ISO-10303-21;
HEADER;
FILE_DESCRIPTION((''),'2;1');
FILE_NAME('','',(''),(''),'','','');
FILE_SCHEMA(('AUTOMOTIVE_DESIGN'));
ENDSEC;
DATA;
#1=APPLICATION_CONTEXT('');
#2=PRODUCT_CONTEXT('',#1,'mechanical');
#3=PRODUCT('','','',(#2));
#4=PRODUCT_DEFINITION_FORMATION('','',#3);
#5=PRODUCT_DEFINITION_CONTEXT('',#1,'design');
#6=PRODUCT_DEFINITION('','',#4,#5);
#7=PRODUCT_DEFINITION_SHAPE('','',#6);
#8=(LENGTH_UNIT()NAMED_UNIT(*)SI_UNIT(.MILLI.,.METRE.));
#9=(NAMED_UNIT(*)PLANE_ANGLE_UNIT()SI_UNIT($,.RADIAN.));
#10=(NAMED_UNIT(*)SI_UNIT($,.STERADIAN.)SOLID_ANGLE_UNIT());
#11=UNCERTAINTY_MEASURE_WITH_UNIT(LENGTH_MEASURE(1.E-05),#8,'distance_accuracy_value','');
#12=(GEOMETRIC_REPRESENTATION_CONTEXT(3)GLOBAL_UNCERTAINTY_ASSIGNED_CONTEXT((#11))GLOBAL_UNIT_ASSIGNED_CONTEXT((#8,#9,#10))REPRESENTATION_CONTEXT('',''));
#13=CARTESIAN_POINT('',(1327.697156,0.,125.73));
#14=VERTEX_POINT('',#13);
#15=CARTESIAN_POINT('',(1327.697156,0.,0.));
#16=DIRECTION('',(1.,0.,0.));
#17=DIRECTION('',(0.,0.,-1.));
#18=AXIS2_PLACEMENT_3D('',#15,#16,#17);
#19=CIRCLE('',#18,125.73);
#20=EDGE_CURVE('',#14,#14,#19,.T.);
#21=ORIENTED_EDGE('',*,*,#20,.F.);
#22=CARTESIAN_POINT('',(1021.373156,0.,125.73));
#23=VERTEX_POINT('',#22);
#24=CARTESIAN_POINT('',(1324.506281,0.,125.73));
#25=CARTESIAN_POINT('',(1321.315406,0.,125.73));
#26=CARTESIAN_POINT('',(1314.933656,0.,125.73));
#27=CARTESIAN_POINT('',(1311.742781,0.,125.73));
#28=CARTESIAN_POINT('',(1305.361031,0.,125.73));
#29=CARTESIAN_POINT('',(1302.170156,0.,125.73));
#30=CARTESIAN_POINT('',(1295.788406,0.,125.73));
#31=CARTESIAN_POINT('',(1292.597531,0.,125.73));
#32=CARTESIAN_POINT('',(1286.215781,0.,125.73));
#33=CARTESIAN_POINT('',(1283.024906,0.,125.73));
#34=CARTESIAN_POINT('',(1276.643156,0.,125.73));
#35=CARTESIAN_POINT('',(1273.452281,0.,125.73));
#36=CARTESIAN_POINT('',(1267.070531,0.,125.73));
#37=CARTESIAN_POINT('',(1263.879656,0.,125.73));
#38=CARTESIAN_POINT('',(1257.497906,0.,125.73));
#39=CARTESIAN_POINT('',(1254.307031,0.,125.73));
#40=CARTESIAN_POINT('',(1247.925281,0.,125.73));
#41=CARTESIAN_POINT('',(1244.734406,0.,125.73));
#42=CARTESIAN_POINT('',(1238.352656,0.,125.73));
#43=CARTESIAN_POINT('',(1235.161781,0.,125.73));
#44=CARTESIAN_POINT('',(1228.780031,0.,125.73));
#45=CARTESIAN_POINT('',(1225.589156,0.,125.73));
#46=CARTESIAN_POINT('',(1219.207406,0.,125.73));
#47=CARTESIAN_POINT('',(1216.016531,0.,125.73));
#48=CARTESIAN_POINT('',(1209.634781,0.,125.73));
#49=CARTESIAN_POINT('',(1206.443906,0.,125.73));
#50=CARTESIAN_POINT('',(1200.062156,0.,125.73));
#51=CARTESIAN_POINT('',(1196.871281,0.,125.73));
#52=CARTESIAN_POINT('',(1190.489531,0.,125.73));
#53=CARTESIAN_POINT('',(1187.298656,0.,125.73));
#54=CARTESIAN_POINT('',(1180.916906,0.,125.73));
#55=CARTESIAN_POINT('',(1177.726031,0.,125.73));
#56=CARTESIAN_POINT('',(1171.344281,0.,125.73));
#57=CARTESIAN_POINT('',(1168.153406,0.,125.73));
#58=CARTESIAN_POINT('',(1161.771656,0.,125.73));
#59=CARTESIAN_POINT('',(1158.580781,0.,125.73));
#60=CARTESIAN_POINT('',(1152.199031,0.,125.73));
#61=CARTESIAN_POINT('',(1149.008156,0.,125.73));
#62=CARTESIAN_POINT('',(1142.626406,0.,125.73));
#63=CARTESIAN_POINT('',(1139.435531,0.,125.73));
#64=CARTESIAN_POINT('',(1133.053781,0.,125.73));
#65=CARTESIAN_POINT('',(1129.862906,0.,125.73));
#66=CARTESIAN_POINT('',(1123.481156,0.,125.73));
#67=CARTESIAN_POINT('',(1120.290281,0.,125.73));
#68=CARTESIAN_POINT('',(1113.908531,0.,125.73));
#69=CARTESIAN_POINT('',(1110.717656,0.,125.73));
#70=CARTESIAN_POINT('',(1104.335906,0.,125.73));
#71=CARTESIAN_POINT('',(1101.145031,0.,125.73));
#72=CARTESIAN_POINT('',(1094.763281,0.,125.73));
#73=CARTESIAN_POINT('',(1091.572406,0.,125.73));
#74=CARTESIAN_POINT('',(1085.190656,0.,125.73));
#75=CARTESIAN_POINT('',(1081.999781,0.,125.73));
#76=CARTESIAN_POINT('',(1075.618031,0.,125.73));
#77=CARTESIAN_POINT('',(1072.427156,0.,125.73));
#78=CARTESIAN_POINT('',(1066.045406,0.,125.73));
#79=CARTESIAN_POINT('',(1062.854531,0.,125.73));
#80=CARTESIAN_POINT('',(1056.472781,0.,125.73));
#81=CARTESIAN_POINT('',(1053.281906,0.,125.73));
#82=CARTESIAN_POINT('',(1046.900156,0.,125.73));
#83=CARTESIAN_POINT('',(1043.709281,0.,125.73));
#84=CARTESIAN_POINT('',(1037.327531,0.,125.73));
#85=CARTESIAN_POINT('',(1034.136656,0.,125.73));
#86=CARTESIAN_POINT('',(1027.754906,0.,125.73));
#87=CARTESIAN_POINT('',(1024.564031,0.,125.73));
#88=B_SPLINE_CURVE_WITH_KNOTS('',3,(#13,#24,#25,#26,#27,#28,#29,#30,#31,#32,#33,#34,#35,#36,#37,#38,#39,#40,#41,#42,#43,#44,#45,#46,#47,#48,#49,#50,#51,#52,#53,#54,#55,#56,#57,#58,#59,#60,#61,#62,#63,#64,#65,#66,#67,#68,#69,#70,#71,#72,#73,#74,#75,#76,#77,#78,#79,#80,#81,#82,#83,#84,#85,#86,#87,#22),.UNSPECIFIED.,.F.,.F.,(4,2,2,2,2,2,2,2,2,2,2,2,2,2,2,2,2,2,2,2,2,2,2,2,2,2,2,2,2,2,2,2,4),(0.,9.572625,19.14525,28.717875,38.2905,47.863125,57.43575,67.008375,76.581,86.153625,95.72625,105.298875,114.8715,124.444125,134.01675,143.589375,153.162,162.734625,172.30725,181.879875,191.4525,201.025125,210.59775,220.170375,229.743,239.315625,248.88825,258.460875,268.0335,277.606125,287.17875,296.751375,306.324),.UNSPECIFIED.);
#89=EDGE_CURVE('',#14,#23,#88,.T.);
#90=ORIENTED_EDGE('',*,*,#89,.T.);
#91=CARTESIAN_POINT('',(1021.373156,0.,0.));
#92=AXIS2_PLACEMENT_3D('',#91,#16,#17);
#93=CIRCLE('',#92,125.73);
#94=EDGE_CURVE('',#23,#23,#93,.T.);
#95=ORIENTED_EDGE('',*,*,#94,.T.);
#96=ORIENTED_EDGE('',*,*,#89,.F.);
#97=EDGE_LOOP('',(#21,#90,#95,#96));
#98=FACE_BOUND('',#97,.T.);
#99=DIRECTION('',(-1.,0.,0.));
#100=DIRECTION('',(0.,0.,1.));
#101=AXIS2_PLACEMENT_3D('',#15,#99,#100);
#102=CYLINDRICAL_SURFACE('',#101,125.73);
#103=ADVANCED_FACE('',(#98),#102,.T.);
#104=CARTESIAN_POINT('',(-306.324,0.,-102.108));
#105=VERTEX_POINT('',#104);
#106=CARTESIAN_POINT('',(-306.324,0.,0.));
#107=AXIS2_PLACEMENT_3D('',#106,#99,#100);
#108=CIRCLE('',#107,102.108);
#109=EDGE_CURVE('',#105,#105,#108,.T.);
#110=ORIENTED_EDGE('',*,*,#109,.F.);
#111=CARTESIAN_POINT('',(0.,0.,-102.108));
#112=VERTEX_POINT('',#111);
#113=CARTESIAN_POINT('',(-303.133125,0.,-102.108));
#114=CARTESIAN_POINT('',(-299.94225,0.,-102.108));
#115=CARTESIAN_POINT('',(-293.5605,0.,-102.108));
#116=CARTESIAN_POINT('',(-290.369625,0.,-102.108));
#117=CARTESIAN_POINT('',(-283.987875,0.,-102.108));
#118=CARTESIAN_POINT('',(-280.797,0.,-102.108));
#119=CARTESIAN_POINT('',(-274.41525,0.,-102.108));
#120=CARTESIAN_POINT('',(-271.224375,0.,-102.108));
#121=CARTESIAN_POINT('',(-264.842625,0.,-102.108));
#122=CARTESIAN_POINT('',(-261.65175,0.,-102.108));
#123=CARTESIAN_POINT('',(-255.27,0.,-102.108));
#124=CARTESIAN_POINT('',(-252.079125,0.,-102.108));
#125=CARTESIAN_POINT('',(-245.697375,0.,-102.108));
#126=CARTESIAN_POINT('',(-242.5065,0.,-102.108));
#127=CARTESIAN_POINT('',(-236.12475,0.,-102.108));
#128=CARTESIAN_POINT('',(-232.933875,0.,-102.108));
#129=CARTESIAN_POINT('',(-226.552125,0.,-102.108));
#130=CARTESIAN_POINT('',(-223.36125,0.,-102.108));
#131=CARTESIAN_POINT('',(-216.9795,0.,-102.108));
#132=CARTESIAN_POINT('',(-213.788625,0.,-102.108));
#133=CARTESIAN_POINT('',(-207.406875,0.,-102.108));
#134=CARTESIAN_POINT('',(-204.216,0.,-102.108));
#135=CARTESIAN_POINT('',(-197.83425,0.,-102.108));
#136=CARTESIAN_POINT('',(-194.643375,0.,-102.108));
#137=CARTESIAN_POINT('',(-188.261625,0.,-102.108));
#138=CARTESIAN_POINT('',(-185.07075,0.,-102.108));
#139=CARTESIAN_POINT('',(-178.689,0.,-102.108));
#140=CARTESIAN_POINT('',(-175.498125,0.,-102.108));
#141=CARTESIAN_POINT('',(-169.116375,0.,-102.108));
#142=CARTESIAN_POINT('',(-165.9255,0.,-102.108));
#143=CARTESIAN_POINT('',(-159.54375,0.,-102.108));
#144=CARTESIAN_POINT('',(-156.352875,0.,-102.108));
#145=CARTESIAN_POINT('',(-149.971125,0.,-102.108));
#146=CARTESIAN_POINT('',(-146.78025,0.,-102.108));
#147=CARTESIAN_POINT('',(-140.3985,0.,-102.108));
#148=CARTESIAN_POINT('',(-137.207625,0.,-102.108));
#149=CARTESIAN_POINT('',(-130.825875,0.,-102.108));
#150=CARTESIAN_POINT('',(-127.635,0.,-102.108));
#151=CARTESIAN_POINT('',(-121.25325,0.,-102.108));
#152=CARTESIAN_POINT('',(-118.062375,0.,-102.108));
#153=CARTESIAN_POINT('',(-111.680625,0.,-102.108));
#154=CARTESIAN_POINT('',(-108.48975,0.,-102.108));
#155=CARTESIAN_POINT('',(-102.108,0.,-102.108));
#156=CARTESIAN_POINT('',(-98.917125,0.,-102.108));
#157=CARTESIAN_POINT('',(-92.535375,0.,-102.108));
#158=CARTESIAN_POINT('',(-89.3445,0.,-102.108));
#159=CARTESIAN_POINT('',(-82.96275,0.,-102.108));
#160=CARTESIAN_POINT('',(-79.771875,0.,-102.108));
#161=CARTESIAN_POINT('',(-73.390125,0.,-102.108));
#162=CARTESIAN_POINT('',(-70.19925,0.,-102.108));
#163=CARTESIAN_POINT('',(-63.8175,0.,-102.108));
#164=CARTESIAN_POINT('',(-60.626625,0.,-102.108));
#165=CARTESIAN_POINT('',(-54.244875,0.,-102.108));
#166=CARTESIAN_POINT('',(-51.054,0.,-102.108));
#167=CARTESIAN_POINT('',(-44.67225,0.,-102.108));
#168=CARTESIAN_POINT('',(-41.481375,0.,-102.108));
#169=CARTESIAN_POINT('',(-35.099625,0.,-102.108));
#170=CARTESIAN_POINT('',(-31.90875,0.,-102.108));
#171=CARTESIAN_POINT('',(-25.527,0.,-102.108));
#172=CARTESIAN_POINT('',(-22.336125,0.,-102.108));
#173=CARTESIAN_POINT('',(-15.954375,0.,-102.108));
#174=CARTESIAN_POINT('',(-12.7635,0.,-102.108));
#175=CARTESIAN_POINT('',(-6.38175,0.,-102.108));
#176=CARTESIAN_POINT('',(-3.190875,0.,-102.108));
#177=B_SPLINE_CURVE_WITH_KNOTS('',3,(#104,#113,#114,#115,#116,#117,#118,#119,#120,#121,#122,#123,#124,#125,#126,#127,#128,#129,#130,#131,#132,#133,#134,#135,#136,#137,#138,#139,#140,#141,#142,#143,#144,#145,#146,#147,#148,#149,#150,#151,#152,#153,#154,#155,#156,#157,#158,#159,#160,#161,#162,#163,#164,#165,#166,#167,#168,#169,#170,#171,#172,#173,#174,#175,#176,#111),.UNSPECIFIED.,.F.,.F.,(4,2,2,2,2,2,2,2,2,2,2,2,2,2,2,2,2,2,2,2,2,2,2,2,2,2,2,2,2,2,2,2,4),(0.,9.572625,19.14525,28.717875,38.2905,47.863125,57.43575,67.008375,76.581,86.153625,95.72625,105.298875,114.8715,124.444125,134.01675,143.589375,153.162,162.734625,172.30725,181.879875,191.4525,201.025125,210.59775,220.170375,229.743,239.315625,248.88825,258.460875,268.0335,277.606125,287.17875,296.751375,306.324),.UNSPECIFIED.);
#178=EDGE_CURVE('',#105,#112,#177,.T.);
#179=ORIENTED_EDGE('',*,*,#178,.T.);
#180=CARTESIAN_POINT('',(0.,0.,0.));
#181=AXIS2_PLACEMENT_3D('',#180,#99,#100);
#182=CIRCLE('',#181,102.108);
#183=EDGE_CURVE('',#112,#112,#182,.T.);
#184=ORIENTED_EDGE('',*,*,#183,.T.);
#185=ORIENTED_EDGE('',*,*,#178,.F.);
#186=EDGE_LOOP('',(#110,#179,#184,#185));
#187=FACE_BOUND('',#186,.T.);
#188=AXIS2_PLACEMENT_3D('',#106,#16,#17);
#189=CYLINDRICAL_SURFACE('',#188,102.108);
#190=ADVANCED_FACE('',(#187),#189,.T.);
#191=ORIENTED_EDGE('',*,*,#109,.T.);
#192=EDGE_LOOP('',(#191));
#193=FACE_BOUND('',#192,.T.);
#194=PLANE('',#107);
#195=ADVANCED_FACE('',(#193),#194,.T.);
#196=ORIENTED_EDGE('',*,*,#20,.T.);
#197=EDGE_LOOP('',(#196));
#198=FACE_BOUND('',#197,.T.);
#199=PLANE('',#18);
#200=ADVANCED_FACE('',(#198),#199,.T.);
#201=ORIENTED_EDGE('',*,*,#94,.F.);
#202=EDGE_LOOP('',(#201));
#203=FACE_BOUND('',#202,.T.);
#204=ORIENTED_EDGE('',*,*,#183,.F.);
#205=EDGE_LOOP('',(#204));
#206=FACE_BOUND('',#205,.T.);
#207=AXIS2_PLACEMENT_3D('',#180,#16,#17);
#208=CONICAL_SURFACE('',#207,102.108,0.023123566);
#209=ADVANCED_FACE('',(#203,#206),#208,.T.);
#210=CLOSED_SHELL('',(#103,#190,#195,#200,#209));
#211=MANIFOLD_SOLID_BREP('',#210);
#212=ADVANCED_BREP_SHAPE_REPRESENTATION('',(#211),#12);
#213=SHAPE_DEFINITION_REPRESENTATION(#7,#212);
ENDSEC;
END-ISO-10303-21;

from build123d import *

# Parameters (mm, degrees)
SKETCH7_R           = 102.108
SKETCH9_R           = 125.73
SKETCH11_R          = 102.108
BOSS_EXTRUDE1_DEPTH = 306.324
SKETCH12_R          = 125.73
BOSS_EXTRUDE2_DEPTH = 306.324


with BuildPart() as part:
    # Sketch7 → Loft3 section 0
    with BuildSketch(Plane(origin=(0, 0, 0), x_dir=(0, 0, -1), z_dir=(1, 0, 0))):
        Circle(SKETCH7_R)
    # Sketch9 → Loft3 section 1
    with BuildSketch(Plane(origin=(1021.373155762, 0, 0), x_dir=(0, 0, -1), z_dir=(1, 0, 0))):
        Circle(SKETCH9_R)
    loft()

    # Sketch11 → Boss-Extrude1 (add)
    with BuildSketch(Plane.ZY):
        with Locations(Location((0, 0, 0), (0, 0, 180))):
            Circle(SKETCH11_R)
    extrude(amount=BOSS_EXTRUDE1_DEPTH)

    # Sketch12 → Boss-Extrude2 (add)
    with BuildSketch(Plane(origin=(1021.373155762, 0, 0), x_dir=(0, 0, -1), z_dir=(1, 0, 0))):
        with Locations(Location((0, 0, 0), (0, 0, 180))):
            Circle(SKETCH12_R)
    extrude(amount=BOSS_EXTRUDE2_DEPTH)


solid = part.part
